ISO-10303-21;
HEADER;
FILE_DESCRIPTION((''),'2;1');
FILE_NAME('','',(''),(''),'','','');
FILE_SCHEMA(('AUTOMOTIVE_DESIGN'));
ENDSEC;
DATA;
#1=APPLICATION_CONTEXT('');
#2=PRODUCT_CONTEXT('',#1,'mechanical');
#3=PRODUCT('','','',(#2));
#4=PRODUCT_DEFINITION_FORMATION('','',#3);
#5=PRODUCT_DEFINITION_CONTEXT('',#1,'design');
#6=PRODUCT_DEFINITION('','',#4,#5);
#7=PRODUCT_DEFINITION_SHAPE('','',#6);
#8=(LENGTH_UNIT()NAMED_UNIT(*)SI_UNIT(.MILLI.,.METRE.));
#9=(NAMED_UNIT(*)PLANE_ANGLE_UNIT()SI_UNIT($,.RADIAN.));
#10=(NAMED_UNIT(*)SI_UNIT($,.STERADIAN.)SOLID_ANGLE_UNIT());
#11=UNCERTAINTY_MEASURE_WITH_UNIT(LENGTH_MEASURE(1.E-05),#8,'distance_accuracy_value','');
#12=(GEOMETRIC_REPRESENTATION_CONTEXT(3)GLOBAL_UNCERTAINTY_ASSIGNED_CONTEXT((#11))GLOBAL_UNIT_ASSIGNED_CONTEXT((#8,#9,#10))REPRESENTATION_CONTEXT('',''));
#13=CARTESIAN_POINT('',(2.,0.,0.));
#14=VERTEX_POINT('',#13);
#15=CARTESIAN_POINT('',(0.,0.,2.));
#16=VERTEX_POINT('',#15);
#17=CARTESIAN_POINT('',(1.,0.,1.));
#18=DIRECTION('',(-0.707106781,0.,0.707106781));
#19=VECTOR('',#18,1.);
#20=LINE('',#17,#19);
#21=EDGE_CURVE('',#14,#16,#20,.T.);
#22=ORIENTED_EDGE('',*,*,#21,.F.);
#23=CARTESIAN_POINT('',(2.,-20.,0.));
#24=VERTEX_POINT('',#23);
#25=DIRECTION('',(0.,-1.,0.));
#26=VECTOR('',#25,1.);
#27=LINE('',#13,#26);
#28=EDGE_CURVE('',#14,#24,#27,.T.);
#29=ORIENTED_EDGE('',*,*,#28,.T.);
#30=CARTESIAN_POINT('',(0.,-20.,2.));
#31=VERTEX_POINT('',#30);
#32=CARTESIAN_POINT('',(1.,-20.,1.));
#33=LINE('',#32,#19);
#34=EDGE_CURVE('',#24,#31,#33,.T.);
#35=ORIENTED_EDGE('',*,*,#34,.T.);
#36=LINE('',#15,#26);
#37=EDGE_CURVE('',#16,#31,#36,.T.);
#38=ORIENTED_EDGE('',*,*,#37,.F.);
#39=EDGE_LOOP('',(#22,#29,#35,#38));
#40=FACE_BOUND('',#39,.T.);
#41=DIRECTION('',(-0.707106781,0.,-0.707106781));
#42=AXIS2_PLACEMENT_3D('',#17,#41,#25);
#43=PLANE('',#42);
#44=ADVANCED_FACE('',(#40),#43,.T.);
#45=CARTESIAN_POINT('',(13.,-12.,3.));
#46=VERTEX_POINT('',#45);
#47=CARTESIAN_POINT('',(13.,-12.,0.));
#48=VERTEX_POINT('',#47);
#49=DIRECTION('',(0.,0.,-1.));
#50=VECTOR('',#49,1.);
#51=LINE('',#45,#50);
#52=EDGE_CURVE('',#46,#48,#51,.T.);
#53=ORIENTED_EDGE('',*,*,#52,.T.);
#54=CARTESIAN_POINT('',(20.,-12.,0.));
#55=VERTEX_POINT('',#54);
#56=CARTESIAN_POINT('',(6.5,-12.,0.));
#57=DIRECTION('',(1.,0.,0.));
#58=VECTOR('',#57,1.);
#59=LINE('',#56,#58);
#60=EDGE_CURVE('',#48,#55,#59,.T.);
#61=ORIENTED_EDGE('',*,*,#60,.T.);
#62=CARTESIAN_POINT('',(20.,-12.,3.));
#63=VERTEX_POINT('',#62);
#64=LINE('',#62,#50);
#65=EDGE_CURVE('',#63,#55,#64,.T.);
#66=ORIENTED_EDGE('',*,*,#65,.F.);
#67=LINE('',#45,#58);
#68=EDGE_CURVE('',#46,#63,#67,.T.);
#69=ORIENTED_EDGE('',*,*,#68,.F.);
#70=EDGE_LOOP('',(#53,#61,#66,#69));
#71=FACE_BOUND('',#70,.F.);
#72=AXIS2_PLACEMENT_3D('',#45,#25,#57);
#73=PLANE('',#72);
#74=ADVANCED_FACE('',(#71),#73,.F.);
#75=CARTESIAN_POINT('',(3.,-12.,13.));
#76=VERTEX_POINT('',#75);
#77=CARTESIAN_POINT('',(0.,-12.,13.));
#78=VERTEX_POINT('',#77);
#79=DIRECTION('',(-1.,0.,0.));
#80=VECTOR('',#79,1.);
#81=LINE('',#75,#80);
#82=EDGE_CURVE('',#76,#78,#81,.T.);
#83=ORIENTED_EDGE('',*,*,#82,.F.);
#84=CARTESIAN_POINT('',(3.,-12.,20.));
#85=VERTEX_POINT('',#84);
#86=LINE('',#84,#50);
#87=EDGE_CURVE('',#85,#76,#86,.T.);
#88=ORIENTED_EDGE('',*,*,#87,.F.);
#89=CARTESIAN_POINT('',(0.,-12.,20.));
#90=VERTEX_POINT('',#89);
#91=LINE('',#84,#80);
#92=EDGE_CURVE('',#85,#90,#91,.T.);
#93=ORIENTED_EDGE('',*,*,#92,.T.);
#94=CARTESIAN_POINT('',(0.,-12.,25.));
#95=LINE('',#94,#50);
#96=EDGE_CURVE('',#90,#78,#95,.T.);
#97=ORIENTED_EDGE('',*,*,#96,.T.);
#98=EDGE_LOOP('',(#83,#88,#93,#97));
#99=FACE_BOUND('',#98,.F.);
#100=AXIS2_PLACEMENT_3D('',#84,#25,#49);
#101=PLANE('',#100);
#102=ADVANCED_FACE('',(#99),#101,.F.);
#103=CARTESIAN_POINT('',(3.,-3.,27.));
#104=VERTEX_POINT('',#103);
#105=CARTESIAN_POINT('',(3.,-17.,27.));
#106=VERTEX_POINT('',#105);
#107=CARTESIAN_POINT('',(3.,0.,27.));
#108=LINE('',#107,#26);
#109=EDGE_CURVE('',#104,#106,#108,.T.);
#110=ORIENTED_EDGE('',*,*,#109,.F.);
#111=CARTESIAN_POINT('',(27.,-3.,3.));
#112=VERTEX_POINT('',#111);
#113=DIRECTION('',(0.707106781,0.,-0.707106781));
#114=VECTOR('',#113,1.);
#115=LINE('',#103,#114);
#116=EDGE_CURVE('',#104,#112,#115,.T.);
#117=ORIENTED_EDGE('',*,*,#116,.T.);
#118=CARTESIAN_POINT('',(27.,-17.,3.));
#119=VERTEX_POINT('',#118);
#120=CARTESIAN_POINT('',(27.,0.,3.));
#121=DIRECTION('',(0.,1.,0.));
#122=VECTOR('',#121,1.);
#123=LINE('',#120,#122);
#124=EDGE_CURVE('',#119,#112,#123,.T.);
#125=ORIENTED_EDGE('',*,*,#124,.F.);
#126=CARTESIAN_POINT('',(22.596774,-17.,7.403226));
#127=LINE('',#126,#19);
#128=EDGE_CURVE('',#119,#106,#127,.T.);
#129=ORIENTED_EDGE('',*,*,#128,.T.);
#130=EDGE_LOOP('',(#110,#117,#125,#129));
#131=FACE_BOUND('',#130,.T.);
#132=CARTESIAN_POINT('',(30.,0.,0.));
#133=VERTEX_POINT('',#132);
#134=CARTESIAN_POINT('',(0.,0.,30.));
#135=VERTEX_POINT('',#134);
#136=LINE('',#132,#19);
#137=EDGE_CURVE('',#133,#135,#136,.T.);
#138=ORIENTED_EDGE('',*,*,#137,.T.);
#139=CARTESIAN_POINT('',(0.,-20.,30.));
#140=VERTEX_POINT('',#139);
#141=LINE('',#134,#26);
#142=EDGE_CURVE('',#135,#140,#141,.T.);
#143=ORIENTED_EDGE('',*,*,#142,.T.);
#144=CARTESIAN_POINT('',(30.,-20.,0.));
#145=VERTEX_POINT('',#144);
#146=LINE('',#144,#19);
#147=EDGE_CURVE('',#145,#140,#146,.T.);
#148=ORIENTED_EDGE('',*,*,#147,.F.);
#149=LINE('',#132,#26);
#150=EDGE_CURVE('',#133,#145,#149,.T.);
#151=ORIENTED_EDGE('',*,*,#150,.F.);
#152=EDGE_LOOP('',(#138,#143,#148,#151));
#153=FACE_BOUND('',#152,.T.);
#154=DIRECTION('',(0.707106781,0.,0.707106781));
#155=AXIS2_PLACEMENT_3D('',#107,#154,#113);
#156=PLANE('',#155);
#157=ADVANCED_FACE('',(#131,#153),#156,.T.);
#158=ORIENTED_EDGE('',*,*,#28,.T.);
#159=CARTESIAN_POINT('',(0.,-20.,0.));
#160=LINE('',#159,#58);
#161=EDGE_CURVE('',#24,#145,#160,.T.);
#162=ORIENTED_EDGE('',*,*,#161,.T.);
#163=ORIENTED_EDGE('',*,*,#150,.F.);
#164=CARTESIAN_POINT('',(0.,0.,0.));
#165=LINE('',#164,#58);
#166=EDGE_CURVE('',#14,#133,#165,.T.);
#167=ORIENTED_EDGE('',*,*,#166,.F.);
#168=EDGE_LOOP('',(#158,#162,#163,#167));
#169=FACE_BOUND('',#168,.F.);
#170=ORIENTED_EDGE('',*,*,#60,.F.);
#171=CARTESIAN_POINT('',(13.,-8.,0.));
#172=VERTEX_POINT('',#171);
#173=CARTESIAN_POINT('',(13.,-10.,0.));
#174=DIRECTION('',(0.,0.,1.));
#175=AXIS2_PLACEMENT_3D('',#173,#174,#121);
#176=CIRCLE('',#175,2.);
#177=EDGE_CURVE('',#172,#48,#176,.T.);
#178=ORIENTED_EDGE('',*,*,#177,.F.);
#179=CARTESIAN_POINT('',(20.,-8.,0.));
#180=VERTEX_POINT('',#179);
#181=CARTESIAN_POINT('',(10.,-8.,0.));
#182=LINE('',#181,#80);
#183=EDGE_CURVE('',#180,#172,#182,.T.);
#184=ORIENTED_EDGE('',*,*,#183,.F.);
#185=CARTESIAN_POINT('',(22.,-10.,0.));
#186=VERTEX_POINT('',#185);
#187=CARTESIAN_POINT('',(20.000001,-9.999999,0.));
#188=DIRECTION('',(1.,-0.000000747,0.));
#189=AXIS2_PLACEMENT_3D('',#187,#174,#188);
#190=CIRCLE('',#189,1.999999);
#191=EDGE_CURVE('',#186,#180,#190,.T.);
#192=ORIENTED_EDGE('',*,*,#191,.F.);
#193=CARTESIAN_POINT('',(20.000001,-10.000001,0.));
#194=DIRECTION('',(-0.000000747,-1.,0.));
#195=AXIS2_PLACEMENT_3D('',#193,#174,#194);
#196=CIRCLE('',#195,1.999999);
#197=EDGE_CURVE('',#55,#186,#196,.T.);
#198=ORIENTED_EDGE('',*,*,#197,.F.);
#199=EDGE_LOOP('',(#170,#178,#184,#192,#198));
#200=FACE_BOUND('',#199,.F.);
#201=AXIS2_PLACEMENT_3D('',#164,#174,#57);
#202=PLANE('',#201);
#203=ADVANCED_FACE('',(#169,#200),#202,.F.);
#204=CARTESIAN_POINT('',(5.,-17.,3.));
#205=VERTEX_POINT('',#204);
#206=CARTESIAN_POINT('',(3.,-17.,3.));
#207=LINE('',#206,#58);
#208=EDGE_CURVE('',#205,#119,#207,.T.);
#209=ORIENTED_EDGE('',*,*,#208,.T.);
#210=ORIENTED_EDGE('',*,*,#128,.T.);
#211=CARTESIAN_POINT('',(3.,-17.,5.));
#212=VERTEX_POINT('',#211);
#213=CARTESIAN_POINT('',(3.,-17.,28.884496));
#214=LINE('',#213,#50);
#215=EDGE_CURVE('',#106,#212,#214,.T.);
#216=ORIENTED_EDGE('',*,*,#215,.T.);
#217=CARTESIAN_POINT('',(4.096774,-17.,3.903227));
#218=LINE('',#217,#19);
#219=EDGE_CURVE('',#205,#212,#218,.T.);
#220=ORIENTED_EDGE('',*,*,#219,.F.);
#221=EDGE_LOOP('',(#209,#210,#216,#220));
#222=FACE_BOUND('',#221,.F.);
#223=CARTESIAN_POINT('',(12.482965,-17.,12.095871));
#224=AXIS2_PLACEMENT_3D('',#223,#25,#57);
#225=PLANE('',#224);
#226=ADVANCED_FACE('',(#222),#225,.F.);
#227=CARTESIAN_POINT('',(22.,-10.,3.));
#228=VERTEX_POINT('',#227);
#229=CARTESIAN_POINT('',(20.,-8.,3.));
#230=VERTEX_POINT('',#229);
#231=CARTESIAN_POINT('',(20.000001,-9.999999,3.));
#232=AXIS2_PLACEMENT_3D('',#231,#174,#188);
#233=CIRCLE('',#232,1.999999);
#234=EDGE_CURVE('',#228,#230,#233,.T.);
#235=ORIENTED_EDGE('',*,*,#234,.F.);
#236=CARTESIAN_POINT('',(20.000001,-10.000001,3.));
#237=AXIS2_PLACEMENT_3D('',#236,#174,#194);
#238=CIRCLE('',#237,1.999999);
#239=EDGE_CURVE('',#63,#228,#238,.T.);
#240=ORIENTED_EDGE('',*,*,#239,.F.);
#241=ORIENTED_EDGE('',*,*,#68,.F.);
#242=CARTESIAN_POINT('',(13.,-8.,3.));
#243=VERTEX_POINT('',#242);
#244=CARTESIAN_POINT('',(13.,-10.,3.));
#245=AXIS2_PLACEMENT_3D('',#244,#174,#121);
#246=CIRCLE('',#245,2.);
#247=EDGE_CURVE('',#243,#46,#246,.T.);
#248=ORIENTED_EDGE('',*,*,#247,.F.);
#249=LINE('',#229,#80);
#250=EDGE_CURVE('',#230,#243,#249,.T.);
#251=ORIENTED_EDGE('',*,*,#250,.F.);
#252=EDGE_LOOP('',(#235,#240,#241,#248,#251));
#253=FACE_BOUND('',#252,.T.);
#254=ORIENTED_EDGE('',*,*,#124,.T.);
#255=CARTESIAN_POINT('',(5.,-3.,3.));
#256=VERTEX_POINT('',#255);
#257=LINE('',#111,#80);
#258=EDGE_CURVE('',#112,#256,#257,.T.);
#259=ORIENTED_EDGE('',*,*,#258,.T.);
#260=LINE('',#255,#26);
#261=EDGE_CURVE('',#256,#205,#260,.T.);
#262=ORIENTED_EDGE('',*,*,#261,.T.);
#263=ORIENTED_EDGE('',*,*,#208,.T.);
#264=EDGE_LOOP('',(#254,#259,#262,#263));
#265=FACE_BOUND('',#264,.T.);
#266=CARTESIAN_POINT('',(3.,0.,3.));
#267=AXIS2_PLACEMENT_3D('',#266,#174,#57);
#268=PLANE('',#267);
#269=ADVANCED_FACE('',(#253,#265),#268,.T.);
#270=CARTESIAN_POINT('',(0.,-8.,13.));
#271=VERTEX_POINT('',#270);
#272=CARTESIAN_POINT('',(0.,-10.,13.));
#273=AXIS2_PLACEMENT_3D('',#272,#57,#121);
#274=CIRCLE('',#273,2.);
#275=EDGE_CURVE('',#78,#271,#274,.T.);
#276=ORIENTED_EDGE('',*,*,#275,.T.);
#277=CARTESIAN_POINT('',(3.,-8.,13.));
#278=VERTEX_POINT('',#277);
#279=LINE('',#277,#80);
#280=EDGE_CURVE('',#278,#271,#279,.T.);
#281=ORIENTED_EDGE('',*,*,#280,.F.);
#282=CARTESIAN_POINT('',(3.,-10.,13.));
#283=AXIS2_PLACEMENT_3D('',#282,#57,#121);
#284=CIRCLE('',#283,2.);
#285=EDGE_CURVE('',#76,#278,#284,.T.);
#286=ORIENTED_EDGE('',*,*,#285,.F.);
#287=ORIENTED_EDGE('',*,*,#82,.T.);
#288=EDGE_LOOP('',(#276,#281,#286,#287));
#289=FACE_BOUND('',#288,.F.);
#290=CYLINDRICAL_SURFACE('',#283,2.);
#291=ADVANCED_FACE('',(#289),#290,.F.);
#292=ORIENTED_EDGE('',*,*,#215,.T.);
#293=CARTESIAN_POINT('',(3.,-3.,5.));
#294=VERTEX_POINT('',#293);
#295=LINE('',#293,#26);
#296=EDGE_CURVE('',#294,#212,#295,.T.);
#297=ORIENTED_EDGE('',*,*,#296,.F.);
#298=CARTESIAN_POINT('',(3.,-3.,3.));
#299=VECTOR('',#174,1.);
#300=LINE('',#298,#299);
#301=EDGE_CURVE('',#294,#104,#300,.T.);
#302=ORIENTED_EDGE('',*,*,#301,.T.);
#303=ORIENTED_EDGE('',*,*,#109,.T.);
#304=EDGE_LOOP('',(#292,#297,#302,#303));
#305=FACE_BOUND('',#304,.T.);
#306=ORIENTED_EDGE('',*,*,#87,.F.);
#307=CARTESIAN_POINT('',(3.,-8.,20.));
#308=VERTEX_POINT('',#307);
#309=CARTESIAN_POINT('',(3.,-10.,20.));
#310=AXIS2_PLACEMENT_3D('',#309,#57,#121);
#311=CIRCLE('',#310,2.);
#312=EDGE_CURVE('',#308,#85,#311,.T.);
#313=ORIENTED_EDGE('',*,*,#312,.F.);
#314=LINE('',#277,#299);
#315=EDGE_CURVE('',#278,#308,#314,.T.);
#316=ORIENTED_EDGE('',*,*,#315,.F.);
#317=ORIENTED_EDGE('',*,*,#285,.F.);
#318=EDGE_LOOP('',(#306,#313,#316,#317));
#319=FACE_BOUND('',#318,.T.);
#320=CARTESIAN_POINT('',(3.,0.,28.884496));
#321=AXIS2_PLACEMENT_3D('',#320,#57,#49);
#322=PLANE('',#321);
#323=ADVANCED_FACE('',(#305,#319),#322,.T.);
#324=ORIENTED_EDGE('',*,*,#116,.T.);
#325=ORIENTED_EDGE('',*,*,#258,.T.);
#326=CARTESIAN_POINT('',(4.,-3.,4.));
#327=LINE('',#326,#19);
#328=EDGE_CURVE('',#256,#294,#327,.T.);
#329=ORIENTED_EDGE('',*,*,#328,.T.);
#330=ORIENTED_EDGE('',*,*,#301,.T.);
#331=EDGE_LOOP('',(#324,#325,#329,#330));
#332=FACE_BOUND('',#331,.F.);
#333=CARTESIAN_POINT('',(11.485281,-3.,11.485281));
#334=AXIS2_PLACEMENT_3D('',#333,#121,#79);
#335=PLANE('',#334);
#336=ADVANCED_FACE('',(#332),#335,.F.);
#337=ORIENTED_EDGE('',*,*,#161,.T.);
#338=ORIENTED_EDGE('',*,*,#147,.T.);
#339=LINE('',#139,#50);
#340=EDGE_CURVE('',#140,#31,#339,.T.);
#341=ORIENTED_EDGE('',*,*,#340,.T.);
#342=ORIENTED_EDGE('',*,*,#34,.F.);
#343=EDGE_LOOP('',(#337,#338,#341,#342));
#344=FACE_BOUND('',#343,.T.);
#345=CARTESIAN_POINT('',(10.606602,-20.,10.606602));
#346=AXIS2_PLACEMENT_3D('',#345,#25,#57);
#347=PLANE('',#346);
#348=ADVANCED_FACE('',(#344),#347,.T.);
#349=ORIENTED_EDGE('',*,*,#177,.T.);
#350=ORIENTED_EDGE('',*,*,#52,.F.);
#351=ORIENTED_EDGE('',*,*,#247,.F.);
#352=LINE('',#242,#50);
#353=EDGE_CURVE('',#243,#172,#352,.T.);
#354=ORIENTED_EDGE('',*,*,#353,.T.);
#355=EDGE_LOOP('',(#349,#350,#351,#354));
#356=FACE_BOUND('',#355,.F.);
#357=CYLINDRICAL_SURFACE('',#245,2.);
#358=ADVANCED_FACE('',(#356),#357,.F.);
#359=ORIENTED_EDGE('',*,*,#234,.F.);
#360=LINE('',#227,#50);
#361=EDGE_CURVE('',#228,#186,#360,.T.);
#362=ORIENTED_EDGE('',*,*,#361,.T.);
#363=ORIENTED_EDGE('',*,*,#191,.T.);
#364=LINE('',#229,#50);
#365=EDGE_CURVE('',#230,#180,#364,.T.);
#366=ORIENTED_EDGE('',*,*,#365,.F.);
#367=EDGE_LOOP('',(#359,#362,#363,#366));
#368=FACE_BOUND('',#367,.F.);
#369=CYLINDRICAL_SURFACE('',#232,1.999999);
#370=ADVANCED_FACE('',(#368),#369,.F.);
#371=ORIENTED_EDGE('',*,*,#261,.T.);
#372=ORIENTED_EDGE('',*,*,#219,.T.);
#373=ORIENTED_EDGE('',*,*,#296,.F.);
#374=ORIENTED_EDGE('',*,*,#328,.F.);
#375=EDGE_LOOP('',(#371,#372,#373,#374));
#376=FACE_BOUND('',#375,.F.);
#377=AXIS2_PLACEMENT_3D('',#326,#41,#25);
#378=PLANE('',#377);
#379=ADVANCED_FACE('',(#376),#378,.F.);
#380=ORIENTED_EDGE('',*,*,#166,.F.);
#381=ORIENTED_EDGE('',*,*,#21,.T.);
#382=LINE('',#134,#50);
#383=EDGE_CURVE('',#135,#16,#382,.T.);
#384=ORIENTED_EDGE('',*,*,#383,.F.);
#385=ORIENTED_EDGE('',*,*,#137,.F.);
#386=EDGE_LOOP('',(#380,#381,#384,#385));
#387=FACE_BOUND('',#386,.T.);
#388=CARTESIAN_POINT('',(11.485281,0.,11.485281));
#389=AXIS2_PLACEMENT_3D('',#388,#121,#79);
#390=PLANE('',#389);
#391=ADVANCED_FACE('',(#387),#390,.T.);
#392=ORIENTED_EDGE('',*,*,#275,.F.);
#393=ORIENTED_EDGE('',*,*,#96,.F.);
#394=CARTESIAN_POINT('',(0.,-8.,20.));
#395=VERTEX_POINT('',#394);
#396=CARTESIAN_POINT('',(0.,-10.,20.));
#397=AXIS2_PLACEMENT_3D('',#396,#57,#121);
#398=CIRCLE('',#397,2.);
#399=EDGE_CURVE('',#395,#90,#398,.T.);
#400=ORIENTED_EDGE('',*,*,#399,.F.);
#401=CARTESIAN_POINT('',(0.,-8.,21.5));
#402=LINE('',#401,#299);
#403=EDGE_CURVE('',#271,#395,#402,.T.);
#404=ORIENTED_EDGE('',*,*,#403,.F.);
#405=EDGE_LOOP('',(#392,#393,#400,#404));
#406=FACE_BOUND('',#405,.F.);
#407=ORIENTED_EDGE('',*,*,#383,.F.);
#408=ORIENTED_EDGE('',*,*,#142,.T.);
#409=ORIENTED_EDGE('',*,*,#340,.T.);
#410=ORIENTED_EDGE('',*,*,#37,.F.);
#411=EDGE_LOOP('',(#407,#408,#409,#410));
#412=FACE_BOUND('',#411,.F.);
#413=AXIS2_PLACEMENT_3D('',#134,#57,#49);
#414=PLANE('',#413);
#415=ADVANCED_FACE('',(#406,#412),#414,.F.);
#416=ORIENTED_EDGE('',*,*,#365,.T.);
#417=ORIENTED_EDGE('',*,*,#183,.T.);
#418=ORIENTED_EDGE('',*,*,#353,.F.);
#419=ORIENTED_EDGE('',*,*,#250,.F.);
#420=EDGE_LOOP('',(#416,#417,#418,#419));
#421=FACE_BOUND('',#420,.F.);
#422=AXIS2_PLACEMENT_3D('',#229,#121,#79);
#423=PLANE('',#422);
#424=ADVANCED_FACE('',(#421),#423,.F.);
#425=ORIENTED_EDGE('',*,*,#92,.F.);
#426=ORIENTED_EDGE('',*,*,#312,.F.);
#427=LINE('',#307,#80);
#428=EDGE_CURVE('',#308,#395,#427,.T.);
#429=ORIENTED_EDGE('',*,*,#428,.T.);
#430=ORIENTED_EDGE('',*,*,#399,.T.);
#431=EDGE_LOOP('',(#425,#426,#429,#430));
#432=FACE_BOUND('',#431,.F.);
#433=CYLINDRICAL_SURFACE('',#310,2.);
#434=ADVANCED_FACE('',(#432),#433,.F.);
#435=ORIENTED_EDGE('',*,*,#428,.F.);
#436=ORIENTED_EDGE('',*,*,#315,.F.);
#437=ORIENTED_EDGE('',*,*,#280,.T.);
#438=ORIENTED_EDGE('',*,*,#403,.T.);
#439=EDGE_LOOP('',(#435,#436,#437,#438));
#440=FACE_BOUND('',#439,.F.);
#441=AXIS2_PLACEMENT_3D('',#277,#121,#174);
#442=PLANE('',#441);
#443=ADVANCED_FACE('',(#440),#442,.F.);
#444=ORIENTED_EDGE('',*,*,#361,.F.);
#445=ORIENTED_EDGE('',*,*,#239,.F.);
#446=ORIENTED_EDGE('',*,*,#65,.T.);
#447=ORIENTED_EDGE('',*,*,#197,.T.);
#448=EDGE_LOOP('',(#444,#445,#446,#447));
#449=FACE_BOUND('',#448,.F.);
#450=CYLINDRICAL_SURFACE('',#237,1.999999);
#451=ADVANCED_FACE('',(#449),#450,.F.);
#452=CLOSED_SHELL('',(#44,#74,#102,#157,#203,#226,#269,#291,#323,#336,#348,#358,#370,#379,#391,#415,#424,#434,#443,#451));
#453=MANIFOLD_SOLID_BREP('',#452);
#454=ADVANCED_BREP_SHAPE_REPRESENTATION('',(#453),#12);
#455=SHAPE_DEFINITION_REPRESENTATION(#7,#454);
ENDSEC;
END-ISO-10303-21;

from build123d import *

# Parameters (mm, degrees)
F1_DEPTH  = 20
F3_DEPTH  = 17
F5_DEPTH  = 3
F6_SIZE   = 2
F8_DEPTH  = 25
F9_SIZE   = 2
F11_DEPTH = 25


with BuildPart() as f1:
    # F0 (on Front) → F1 (new body)
    with BuildSketch(Plane.XZ):
        Polygon((0, 30), (0, 0), (30, 0), align=None)
    extrude(amount=F1_DEPTH)

    # F2 (on Front) → F3 (cut)
    with BuildSketch(Plane.XZ):
        Polygon((29.658684, 3), (3, 28.884496), (3, 3), align=None)
    extrude(amount=F3_DEPTH, mode=Mode.SUBTRACT)

    # F4 (on face) → F5 (join)
    with BuildSketch(Plane(origin=(0, 0, 0), x_dir=(-1, 0, 0), z_dir=(0, 1, 0))):
        Polygon((-3, 3), (-3, 27), (-27, 3), align=None)
    extrude(amount=-F5_DEPTH)

    # F6
    f6_edges = [f1.edges().sort_by_distance(p)[0] for p in [
        (0, -10, 0),
    ]]
    chamfer(f6_edges, length=F6_SIZE)

    # F7 (on face) → F8 (cut)
    with BuildSketch(Plane.YZ.offset(3)):
        with BuildLine():
            ThreePointArc((-12, 20), (-10, 18), (-8, 20))
            ThreePointArc((-8, 20), (-10, 22), (-12, 20))
        make_face()
        with BuildLine():
            Line((-8, 13), (-8, 20))
            ThreePointArc((-8, 20), (-10, 18), (-12, 20))
            Line((-12, 20), (-12, 13))
            ThreePointArc((-12, 13), (-10, 15), (-8, 13))
        make_face()
        with BuildLine():
            ThreePointArc((-12, 13), (-10, 11), (-8, 13))
            ThreePointArc((-8, 13), (-10, 15), (-12, 13))
        make_face()
    extrude(amount=-F8_DEPTH, mode=Mode.SUBTRACT)

    # F9
    f9_edges = [f1.edges().sort_by_distance(p)[0] for p in [
        (3, -10, 3),
    ]]
    chamfer(f9_edges, length=F9_SIZE)

    # F10 (on face) → F11 (cut)
    with BuildSketch(Plane.XY.offset(3)):
        with BuildLine():
            ThreePointArc((20, -12), (21.414214, -11.414214), (22, -10))
            ThreePointArc((22, -10), (21.414214, -8.585786), (20, -8))
            ThreePointArc((20, -8), (18, -10), (20, -12))
        make_face()
        with BuildLine():
            ThreePointArc((20, -12), (18, -10), (20, -8))
            Line((20, -8), (13, -8))
            ThreePointArc((13, -8), (14.414214, -8.585786), (15, -10))
            ThreePointArc((15, -10), (14.414214, -11.414214), (13, -12))
            Line((13, -12), (20, -12))
        make_face()
        with BuildLine():
            ThreePointArc((15, -10), (14.414214, -8.585786), (13, -8))
            ThreePointArc((13, -8), (11, -10), (13, -12))
            ThreePointArc((13, -12), (14.414214, -11.414214), (15, -10))
        make_face()
    extrude(amount=-F11_DEPTH, mode=Mode.SUBTRACT)


solid = f1.part
